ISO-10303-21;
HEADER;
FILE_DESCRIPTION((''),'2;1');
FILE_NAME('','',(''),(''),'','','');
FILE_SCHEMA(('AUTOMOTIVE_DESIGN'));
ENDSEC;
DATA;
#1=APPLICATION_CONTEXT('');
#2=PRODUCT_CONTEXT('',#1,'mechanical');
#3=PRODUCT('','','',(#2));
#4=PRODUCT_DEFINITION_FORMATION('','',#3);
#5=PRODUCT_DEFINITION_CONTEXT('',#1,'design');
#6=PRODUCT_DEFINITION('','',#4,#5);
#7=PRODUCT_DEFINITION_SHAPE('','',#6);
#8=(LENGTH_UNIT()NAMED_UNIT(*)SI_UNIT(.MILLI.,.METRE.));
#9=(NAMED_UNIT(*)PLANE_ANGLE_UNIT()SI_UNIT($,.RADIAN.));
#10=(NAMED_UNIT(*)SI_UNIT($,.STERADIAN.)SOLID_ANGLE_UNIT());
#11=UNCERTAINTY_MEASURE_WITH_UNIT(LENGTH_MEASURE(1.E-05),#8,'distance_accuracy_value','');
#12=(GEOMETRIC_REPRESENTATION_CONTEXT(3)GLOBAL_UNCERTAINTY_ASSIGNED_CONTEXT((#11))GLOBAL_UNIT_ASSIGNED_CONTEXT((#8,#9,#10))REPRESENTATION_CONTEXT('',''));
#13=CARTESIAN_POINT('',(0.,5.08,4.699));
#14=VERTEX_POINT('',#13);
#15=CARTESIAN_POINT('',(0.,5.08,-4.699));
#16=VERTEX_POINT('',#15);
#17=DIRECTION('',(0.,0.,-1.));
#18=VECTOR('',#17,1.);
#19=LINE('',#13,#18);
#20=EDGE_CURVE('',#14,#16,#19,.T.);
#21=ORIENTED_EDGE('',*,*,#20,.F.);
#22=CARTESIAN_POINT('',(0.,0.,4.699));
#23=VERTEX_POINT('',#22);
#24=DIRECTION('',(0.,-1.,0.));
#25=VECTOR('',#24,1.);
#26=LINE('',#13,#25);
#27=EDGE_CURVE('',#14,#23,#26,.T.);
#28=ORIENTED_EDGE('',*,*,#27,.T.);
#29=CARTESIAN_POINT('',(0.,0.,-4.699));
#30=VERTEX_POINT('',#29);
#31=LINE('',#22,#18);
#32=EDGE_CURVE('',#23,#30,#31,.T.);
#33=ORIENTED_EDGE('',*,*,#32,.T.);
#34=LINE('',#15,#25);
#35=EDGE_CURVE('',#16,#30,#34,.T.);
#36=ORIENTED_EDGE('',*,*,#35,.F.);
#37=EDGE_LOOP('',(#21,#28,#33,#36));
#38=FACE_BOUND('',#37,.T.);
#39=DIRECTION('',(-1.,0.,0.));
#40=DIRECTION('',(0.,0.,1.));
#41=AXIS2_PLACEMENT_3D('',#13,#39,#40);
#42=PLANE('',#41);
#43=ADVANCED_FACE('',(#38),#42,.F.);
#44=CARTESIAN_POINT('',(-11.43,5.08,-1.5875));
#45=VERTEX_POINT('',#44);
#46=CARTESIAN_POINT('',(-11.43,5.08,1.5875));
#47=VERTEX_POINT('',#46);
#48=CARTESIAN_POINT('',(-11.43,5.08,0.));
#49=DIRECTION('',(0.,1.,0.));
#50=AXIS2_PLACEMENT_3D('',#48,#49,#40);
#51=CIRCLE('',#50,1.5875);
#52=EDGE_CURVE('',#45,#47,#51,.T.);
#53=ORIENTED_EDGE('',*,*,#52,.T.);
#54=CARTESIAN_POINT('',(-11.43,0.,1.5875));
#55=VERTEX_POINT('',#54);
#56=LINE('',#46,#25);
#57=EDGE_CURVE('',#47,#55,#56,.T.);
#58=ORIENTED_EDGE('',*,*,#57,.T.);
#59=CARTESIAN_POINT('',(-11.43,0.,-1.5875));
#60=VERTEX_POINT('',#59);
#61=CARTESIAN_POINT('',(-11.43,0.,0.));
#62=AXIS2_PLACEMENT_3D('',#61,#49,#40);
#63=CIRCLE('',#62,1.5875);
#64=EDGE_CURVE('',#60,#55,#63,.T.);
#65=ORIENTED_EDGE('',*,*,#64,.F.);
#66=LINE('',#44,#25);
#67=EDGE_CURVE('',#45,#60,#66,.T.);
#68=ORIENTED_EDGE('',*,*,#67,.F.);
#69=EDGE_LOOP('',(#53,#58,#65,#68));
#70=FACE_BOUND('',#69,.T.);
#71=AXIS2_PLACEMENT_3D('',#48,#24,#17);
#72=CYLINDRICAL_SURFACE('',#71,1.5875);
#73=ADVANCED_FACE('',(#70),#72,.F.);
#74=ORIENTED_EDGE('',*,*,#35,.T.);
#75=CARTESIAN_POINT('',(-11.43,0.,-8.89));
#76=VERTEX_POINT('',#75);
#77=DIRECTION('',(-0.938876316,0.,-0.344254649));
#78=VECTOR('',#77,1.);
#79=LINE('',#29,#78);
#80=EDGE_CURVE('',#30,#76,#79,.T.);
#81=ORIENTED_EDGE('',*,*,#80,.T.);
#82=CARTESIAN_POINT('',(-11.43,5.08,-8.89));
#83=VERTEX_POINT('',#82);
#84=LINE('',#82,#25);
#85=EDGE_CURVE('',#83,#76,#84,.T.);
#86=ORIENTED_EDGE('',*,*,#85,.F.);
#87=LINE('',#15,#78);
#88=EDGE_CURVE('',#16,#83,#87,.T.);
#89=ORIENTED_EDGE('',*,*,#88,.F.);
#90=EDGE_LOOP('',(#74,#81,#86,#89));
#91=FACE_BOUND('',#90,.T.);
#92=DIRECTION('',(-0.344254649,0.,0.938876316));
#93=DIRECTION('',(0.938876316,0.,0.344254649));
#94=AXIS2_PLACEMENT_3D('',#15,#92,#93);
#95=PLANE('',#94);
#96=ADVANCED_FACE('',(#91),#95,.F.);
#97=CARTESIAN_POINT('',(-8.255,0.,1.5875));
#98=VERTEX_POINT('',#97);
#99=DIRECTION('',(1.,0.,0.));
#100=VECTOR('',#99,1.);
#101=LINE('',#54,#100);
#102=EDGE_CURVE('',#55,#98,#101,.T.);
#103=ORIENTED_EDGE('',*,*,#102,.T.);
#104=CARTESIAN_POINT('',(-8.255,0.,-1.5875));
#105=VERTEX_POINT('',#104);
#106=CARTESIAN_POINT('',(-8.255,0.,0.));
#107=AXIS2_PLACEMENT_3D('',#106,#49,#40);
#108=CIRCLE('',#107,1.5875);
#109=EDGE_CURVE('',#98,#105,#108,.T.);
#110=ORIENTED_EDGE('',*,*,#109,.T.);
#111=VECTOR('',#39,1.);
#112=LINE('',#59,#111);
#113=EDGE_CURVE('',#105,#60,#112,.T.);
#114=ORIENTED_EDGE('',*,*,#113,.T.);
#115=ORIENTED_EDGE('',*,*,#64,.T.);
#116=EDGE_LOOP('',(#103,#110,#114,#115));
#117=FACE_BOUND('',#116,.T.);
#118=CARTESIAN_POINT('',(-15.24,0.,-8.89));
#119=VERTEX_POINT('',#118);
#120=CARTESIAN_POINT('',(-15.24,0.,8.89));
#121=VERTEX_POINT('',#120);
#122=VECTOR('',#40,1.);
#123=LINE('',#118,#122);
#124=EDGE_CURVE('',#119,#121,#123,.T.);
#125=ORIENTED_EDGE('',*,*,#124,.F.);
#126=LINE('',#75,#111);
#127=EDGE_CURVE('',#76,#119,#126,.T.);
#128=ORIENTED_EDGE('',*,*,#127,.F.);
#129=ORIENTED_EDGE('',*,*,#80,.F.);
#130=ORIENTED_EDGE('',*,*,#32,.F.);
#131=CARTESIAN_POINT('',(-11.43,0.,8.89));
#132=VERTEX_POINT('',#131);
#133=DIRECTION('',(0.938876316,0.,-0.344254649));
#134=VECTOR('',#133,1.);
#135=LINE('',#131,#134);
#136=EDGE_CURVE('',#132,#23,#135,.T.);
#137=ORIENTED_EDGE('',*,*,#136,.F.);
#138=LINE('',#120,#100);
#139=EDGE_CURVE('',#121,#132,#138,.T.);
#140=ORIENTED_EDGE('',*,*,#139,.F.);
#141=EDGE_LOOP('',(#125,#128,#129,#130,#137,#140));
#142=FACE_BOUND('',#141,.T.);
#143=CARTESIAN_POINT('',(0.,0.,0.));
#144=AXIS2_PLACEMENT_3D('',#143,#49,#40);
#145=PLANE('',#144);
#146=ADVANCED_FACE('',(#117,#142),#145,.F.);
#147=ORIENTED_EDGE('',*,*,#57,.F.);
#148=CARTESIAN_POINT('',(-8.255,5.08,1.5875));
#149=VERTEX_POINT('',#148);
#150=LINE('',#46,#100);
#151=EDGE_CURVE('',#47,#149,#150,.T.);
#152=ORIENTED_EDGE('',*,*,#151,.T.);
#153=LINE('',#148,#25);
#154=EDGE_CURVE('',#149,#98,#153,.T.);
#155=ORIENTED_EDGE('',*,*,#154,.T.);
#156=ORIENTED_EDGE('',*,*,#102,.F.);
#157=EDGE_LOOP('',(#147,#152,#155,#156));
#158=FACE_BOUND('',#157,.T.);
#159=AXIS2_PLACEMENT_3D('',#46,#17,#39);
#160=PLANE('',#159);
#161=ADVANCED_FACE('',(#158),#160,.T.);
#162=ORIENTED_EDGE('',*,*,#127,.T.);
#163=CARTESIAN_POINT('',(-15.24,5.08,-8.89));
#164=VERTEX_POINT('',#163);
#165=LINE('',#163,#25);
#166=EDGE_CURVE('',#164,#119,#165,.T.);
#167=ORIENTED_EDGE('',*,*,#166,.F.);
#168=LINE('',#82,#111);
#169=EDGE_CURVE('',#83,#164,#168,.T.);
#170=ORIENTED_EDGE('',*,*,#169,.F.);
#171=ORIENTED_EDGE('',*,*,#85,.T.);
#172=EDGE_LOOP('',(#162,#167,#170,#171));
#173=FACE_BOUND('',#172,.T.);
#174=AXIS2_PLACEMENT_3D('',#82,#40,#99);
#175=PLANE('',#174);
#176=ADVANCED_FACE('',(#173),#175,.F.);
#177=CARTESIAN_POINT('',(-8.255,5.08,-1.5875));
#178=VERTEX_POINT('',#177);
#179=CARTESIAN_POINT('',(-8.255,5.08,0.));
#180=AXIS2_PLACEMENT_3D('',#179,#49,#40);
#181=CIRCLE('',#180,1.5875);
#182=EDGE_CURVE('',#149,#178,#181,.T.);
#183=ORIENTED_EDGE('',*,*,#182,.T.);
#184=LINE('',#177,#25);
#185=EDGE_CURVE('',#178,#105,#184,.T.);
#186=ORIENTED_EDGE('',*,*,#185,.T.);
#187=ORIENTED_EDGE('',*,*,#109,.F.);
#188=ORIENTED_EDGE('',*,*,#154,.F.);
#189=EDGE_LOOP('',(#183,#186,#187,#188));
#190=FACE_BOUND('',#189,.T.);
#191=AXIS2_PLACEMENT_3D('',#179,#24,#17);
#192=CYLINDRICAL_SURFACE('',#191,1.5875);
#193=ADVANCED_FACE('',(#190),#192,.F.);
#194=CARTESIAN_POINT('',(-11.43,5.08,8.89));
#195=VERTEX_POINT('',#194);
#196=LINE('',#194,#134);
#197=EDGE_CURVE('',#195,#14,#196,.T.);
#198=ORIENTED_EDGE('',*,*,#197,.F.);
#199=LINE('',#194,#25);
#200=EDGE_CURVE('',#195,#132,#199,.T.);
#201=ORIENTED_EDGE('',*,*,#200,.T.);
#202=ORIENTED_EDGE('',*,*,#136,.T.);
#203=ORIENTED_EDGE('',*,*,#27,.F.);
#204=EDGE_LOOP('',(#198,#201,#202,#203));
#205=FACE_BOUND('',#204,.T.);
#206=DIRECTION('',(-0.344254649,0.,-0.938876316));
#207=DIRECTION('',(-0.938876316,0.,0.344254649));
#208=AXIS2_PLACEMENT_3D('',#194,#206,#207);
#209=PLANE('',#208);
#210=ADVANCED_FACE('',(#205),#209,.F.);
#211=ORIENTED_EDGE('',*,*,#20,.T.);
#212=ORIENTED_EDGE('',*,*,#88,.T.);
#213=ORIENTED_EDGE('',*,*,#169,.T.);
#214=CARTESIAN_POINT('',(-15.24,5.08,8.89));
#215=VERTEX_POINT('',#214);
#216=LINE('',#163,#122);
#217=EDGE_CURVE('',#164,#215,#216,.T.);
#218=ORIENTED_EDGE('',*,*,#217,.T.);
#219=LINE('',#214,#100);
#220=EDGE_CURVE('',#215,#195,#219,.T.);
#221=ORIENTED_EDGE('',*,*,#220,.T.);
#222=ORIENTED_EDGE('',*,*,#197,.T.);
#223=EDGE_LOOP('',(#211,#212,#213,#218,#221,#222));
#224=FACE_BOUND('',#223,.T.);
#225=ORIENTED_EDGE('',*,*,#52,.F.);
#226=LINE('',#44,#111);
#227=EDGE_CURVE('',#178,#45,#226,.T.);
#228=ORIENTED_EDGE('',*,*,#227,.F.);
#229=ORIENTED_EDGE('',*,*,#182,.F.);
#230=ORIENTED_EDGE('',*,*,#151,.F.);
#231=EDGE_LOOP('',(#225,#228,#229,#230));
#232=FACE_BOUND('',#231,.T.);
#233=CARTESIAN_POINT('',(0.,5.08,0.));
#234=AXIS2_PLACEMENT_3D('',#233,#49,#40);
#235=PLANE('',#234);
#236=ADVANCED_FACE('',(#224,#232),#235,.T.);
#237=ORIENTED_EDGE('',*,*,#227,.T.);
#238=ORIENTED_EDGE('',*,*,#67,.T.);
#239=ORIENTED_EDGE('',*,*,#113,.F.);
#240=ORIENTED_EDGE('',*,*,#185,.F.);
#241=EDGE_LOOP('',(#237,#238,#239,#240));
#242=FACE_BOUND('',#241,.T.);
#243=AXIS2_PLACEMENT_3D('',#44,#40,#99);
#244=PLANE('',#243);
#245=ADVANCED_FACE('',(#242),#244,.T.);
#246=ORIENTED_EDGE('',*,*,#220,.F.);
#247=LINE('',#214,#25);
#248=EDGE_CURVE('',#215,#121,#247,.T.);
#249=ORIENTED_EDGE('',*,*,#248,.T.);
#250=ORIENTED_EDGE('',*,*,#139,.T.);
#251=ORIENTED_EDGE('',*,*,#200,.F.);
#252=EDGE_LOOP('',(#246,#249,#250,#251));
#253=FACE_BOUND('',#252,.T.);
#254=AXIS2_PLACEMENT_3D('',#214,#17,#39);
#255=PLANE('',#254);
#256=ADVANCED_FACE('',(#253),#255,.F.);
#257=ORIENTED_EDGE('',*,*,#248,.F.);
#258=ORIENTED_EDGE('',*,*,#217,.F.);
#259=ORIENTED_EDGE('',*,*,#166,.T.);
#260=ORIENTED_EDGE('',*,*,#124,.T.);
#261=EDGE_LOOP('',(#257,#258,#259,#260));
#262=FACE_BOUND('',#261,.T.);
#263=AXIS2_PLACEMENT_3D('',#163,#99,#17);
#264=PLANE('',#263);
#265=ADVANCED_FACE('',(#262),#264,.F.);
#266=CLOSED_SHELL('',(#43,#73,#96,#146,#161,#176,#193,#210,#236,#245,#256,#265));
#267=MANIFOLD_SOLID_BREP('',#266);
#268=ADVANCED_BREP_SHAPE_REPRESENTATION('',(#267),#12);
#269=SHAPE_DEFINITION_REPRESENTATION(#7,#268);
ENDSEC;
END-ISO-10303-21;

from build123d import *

# Parameters (mm, degrees)
BOSS_EXTRUDE1_DEPTH = 5.08


with BuildPart() as part:
    # Sketch1 → Boss-Extrude1 (new body)
    with BuildSketch(Plane(origin=(0, 0, 0), x_dir=(1, 0, 0), z_dir=(0, 1, 0))):
        Polygon((-15.24, 8.89), (-15.24, -8.89), (-11.43, -8.89), (0, -4.699), (0, 4.699), (-11.43, 8.89), align=None)
        with BuildLine():
            Line((-11.43, 1.5875), (-8.255, 1.5875))
            ThreePointArc((-8.255, 1.5875), (-6.6675, 0), (-8.255, -1.5875))
            Line((-8.255, -1.5875), (-11.43, -1.5875))
            ThreePointArc((-11.43, -1.5875), (-13.0175, 0), (-11.43, 1.5875))
        make_face(mode=Mode.SUBTRACT)
    extrude(amount=BOSS_EXTRUDE1_DEPTH)


solid = part.part
